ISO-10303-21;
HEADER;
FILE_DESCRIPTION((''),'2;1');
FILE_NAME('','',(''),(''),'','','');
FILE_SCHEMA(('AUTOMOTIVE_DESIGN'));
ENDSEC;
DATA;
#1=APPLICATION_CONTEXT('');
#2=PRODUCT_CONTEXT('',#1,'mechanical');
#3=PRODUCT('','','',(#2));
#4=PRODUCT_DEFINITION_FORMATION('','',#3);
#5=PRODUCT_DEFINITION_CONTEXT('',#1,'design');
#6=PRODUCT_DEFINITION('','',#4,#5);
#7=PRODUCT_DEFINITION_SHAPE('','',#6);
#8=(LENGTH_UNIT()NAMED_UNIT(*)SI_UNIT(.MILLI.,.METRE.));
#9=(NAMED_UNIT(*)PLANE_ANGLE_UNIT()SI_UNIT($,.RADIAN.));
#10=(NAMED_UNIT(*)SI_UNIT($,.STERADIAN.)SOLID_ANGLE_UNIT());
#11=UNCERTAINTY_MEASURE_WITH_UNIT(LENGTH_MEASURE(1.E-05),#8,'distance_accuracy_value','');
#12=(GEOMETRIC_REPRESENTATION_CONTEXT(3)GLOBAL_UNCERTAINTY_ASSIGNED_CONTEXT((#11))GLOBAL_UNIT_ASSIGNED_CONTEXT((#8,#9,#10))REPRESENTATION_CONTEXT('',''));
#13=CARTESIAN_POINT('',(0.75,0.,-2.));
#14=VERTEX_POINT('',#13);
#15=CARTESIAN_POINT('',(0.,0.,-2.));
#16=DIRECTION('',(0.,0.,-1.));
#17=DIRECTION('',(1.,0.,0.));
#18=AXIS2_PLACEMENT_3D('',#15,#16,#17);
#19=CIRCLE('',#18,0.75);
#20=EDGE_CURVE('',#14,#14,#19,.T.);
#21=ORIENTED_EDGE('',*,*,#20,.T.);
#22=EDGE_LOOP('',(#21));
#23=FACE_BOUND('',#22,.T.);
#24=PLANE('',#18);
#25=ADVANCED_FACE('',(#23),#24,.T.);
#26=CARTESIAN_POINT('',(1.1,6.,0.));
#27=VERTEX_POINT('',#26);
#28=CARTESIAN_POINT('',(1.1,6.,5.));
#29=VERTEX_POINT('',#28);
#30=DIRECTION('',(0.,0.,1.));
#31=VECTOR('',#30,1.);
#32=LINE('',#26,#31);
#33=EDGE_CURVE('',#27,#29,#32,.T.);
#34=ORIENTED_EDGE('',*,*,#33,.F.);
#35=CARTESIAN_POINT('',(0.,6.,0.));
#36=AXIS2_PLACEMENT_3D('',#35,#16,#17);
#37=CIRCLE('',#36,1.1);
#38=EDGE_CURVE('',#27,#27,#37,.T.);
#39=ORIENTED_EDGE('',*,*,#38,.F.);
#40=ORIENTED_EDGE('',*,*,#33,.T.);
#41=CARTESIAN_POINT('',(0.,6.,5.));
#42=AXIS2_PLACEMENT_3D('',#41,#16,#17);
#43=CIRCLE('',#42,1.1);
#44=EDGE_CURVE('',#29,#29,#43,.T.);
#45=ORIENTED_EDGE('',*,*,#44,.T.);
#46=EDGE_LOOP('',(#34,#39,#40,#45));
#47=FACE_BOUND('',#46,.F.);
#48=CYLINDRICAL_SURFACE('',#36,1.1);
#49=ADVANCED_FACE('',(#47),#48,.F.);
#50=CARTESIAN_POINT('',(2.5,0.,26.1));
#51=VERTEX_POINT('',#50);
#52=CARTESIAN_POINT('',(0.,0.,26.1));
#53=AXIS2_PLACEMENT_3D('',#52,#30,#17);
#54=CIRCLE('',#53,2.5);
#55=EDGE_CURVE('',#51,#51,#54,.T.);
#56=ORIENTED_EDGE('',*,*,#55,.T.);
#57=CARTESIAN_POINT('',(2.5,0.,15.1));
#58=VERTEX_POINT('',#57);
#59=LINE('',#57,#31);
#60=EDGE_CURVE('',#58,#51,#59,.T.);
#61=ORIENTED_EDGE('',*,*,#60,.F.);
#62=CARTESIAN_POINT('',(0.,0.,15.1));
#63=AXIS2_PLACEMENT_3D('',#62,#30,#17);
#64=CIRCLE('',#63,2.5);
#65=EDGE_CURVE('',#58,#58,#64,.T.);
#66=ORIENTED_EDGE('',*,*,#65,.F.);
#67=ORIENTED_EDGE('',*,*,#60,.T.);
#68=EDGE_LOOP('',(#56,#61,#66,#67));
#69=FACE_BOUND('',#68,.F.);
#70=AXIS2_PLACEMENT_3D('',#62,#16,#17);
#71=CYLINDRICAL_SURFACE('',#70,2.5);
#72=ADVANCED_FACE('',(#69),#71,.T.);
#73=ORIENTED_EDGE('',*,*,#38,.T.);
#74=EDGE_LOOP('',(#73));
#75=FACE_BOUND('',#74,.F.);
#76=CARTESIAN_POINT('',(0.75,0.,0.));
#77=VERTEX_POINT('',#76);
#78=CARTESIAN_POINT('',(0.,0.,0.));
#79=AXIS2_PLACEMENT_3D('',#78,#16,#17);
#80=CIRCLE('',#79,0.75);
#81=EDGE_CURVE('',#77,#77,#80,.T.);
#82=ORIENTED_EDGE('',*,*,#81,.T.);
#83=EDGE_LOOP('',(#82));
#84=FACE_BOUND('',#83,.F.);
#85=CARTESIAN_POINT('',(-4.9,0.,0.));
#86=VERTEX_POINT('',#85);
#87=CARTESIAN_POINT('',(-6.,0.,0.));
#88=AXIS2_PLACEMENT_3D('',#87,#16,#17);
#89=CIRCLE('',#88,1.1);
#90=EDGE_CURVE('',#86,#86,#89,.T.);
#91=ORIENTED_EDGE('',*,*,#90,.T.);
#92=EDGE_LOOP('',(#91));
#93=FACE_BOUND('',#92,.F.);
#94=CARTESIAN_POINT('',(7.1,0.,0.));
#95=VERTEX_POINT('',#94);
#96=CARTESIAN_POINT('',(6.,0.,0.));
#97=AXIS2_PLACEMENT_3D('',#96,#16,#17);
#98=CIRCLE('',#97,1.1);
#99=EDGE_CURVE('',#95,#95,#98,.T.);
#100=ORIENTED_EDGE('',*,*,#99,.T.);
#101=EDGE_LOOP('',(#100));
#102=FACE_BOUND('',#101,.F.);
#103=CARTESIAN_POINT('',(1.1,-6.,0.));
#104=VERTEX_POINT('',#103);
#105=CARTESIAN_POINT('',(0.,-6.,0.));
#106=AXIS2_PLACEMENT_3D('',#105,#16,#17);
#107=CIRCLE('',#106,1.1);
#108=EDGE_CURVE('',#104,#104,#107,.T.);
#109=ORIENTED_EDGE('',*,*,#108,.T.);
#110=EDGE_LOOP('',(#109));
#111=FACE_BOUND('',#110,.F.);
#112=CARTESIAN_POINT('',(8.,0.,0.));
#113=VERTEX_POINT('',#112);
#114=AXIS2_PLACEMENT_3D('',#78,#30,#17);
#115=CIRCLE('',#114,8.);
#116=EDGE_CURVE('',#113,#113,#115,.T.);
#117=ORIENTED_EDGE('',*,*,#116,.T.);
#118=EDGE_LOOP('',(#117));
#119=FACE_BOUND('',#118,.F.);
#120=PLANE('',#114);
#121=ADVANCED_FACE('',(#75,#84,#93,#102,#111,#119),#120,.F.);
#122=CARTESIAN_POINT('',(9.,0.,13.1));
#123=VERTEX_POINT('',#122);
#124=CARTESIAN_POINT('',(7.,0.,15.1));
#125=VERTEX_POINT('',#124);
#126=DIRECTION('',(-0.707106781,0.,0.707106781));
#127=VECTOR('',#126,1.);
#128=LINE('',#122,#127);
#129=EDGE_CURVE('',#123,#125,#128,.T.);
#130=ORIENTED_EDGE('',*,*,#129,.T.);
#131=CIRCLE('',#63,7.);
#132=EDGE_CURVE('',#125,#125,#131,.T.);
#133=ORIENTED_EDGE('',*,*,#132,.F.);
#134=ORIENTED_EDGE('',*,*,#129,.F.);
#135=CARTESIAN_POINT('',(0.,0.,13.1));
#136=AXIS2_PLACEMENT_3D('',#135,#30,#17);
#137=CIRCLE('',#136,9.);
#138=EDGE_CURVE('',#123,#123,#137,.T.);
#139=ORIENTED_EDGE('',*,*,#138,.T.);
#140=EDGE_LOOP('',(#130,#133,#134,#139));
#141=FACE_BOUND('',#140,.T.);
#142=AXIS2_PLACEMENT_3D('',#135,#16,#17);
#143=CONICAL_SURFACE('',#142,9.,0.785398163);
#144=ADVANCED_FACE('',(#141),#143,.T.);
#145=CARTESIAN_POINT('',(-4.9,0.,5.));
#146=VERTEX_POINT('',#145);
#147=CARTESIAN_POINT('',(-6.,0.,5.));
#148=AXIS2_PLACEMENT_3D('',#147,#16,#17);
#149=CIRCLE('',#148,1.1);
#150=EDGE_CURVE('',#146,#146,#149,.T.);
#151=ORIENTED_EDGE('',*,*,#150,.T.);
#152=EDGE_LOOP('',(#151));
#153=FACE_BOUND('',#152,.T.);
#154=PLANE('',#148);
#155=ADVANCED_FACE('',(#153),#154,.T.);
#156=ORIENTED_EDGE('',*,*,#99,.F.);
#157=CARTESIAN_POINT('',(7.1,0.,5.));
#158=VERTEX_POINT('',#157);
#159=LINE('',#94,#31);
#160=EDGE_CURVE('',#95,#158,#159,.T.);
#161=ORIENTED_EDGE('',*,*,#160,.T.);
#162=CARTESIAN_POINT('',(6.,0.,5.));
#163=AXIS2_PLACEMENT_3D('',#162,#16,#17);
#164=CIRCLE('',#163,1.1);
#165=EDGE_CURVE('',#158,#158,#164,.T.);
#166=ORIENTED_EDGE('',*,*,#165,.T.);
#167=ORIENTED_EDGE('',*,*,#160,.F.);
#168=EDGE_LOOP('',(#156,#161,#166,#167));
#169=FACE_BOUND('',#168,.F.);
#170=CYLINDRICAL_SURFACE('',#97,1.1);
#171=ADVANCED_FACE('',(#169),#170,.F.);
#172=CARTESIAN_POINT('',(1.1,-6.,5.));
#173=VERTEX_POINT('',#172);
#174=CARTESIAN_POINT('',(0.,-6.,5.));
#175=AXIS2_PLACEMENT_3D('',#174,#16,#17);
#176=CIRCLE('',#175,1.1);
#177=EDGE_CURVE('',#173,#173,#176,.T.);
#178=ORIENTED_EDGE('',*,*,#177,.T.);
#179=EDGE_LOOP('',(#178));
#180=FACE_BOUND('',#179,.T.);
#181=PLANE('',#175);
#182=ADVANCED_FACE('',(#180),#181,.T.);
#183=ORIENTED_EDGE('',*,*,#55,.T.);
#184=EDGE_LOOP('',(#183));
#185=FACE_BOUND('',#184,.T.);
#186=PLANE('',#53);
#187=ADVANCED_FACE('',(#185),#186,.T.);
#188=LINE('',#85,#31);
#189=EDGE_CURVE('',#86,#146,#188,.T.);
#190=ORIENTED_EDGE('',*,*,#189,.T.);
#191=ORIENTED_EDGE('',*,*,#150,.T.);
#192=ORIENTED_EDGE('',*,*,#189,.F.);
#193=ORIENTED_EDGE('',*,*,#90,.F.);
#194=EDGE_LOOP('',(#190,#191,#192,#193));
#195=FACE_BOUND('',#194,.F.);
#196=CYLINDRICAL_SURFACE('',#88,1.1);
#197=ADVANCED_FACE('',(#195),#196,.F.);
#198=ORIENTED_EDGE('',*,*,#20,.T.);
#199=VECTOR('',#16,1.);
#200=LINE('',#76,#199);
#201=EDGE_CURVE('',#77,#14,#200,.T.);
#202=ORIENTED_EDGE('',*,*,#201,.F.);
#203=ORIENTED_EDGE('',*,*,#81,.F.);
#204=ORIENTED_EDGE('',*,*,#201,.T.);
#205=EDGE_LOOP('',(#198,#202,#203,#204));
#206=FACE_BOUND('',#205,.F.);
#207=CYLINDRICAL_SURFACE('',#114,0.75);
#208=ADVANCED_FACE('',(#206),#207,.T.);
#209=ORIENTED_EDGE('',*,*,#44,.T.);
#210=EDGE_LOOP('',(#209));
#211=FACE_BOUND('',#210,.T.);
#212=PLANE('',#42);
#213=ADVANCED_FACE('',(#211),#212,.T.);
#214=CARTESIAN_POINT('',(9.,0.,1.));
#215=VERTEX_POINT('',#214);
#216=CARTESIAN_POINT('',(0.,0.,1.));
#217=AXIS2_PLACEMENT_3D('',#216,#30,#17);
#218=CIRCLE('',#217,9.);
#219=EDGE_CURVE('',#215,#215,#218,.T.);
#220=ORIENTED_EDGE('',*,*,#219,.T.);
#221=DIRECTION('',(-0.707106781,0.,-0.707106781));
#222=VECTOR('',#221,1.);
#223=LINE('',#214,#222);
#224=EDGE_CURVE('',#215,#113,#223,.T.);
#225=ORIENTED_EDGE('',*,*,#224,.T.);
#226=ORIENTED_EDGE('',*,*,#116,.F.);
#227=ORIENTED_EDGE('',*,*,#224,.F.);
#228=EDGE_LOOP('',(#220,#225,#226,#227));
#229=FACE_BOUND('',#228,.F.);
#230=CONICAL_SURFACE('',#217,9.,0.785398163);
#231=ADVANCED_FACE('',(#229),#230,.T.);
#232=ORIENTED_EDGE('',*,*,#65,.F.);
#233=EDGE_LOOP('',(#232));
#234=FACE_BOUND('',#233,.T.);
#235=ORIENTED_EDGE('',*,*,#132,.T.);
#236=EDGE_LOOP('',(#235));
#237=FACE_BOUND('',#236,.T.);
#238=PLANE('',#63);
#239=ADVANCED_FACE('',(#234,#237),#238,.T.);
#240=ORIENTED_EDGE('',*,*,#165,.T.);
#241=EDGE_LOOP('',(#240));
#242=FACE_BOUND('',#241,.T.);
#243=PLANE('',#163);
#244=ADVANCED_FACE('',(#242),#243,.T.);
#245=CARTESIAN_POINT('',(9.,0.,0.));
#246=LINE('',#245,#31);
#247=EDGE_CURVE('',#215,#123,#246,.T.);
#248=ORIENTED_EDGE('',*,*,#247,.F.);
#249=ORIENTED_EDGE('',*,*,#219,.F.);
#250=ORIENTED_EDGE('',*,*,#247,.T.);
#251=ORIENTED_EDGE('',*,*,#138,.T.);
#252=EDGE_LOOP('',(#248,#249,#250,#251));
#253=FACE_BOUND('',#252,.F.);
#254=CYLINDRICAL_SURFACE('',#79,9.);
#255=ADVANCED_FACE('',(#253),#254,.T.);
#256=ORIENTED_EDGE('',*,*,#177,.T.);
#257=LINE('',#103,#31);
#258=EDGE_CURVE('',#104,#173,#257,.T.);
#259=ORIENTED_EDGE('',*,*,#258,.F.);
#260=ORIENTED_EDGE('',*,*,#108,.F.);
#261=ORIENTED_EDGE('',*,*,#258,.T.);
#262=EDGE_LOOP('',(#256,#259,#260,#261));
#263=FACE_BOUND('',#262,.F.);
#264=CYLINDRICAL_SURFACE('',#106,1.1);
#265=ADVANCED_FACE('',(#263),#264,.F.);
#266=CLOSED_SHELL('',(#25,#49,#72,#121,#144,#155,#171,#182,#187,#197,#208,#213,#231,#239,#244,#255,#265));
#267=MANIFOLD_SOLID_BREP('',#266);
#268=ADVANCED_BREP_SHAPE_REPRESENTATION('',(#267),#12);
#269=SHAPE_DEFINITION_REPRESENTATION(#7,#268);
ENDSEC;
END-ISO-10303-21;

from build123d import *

# Parameters (mm, degrees)
F0_R     = 9
F1_DEPTH = 15.1
F2_SIZE  = 2
F3_SIZE  = 1
F4_R     = 1.1
F5_DEPTH = 5
F6_R     = 2.5
F7_DEPTH = 11
F8_R     = 0.75
F9_DEPTH = 2


with BuildPart() as f1:
    # F0 (on Top) → F1 (new body)
    with BuildSketch(Plane.XY):
        Circle(F0_R)
    extrude(amount=F1_DEPTH)

    # F2
    f2_edges = [f1.edges().sort_by_distance(p)[0] for p in [
        (-9, 0, 15.1),
    ]]
    chamfer(f2_edges, length=F2_SIZE)

    # F3
    f3_edges = [f1.edges().sort_by_distance(p)[0] for p in [
        (-9, 0, 0),
    ]]
    chamfer(f3_edges, length=F3_SIZE)

    # F4 (on face) → F5 (cut)
    with BuildSketch(Plane(origin=(0, 0, 0), x_dir=(1, 0, 0), z_dir=(0, 0, -1))):
        with Locations((0, 6)):
            Circle(F4_R)
        with Locations((-6, 0)):
            Circle(F4_R)
        with Locations((0, -6)):
            Circle(F4_R)
        with Locations((6, 0)):
            Circle(F4_R)
    extrude(amount=-F5_DEPTH, mode=Mode.SUBTRACT)

    # F6 (on face) → F7 (join)
    with BuildSketch(Plane.XY.offset(15.1)):
        Circle(F6_R)
    extrude(amount=F7_DEPTH)

    # F8 (on face) → F9 (join)
    with BuildSketch(Plane(origin=(0, 0, 0), x_dir=(1, 0, 0), z_dir=(0, 0, -1))):
        Circle(F8_R)
    extrude(amount=F9_DEPTH)


solid = f1.part
